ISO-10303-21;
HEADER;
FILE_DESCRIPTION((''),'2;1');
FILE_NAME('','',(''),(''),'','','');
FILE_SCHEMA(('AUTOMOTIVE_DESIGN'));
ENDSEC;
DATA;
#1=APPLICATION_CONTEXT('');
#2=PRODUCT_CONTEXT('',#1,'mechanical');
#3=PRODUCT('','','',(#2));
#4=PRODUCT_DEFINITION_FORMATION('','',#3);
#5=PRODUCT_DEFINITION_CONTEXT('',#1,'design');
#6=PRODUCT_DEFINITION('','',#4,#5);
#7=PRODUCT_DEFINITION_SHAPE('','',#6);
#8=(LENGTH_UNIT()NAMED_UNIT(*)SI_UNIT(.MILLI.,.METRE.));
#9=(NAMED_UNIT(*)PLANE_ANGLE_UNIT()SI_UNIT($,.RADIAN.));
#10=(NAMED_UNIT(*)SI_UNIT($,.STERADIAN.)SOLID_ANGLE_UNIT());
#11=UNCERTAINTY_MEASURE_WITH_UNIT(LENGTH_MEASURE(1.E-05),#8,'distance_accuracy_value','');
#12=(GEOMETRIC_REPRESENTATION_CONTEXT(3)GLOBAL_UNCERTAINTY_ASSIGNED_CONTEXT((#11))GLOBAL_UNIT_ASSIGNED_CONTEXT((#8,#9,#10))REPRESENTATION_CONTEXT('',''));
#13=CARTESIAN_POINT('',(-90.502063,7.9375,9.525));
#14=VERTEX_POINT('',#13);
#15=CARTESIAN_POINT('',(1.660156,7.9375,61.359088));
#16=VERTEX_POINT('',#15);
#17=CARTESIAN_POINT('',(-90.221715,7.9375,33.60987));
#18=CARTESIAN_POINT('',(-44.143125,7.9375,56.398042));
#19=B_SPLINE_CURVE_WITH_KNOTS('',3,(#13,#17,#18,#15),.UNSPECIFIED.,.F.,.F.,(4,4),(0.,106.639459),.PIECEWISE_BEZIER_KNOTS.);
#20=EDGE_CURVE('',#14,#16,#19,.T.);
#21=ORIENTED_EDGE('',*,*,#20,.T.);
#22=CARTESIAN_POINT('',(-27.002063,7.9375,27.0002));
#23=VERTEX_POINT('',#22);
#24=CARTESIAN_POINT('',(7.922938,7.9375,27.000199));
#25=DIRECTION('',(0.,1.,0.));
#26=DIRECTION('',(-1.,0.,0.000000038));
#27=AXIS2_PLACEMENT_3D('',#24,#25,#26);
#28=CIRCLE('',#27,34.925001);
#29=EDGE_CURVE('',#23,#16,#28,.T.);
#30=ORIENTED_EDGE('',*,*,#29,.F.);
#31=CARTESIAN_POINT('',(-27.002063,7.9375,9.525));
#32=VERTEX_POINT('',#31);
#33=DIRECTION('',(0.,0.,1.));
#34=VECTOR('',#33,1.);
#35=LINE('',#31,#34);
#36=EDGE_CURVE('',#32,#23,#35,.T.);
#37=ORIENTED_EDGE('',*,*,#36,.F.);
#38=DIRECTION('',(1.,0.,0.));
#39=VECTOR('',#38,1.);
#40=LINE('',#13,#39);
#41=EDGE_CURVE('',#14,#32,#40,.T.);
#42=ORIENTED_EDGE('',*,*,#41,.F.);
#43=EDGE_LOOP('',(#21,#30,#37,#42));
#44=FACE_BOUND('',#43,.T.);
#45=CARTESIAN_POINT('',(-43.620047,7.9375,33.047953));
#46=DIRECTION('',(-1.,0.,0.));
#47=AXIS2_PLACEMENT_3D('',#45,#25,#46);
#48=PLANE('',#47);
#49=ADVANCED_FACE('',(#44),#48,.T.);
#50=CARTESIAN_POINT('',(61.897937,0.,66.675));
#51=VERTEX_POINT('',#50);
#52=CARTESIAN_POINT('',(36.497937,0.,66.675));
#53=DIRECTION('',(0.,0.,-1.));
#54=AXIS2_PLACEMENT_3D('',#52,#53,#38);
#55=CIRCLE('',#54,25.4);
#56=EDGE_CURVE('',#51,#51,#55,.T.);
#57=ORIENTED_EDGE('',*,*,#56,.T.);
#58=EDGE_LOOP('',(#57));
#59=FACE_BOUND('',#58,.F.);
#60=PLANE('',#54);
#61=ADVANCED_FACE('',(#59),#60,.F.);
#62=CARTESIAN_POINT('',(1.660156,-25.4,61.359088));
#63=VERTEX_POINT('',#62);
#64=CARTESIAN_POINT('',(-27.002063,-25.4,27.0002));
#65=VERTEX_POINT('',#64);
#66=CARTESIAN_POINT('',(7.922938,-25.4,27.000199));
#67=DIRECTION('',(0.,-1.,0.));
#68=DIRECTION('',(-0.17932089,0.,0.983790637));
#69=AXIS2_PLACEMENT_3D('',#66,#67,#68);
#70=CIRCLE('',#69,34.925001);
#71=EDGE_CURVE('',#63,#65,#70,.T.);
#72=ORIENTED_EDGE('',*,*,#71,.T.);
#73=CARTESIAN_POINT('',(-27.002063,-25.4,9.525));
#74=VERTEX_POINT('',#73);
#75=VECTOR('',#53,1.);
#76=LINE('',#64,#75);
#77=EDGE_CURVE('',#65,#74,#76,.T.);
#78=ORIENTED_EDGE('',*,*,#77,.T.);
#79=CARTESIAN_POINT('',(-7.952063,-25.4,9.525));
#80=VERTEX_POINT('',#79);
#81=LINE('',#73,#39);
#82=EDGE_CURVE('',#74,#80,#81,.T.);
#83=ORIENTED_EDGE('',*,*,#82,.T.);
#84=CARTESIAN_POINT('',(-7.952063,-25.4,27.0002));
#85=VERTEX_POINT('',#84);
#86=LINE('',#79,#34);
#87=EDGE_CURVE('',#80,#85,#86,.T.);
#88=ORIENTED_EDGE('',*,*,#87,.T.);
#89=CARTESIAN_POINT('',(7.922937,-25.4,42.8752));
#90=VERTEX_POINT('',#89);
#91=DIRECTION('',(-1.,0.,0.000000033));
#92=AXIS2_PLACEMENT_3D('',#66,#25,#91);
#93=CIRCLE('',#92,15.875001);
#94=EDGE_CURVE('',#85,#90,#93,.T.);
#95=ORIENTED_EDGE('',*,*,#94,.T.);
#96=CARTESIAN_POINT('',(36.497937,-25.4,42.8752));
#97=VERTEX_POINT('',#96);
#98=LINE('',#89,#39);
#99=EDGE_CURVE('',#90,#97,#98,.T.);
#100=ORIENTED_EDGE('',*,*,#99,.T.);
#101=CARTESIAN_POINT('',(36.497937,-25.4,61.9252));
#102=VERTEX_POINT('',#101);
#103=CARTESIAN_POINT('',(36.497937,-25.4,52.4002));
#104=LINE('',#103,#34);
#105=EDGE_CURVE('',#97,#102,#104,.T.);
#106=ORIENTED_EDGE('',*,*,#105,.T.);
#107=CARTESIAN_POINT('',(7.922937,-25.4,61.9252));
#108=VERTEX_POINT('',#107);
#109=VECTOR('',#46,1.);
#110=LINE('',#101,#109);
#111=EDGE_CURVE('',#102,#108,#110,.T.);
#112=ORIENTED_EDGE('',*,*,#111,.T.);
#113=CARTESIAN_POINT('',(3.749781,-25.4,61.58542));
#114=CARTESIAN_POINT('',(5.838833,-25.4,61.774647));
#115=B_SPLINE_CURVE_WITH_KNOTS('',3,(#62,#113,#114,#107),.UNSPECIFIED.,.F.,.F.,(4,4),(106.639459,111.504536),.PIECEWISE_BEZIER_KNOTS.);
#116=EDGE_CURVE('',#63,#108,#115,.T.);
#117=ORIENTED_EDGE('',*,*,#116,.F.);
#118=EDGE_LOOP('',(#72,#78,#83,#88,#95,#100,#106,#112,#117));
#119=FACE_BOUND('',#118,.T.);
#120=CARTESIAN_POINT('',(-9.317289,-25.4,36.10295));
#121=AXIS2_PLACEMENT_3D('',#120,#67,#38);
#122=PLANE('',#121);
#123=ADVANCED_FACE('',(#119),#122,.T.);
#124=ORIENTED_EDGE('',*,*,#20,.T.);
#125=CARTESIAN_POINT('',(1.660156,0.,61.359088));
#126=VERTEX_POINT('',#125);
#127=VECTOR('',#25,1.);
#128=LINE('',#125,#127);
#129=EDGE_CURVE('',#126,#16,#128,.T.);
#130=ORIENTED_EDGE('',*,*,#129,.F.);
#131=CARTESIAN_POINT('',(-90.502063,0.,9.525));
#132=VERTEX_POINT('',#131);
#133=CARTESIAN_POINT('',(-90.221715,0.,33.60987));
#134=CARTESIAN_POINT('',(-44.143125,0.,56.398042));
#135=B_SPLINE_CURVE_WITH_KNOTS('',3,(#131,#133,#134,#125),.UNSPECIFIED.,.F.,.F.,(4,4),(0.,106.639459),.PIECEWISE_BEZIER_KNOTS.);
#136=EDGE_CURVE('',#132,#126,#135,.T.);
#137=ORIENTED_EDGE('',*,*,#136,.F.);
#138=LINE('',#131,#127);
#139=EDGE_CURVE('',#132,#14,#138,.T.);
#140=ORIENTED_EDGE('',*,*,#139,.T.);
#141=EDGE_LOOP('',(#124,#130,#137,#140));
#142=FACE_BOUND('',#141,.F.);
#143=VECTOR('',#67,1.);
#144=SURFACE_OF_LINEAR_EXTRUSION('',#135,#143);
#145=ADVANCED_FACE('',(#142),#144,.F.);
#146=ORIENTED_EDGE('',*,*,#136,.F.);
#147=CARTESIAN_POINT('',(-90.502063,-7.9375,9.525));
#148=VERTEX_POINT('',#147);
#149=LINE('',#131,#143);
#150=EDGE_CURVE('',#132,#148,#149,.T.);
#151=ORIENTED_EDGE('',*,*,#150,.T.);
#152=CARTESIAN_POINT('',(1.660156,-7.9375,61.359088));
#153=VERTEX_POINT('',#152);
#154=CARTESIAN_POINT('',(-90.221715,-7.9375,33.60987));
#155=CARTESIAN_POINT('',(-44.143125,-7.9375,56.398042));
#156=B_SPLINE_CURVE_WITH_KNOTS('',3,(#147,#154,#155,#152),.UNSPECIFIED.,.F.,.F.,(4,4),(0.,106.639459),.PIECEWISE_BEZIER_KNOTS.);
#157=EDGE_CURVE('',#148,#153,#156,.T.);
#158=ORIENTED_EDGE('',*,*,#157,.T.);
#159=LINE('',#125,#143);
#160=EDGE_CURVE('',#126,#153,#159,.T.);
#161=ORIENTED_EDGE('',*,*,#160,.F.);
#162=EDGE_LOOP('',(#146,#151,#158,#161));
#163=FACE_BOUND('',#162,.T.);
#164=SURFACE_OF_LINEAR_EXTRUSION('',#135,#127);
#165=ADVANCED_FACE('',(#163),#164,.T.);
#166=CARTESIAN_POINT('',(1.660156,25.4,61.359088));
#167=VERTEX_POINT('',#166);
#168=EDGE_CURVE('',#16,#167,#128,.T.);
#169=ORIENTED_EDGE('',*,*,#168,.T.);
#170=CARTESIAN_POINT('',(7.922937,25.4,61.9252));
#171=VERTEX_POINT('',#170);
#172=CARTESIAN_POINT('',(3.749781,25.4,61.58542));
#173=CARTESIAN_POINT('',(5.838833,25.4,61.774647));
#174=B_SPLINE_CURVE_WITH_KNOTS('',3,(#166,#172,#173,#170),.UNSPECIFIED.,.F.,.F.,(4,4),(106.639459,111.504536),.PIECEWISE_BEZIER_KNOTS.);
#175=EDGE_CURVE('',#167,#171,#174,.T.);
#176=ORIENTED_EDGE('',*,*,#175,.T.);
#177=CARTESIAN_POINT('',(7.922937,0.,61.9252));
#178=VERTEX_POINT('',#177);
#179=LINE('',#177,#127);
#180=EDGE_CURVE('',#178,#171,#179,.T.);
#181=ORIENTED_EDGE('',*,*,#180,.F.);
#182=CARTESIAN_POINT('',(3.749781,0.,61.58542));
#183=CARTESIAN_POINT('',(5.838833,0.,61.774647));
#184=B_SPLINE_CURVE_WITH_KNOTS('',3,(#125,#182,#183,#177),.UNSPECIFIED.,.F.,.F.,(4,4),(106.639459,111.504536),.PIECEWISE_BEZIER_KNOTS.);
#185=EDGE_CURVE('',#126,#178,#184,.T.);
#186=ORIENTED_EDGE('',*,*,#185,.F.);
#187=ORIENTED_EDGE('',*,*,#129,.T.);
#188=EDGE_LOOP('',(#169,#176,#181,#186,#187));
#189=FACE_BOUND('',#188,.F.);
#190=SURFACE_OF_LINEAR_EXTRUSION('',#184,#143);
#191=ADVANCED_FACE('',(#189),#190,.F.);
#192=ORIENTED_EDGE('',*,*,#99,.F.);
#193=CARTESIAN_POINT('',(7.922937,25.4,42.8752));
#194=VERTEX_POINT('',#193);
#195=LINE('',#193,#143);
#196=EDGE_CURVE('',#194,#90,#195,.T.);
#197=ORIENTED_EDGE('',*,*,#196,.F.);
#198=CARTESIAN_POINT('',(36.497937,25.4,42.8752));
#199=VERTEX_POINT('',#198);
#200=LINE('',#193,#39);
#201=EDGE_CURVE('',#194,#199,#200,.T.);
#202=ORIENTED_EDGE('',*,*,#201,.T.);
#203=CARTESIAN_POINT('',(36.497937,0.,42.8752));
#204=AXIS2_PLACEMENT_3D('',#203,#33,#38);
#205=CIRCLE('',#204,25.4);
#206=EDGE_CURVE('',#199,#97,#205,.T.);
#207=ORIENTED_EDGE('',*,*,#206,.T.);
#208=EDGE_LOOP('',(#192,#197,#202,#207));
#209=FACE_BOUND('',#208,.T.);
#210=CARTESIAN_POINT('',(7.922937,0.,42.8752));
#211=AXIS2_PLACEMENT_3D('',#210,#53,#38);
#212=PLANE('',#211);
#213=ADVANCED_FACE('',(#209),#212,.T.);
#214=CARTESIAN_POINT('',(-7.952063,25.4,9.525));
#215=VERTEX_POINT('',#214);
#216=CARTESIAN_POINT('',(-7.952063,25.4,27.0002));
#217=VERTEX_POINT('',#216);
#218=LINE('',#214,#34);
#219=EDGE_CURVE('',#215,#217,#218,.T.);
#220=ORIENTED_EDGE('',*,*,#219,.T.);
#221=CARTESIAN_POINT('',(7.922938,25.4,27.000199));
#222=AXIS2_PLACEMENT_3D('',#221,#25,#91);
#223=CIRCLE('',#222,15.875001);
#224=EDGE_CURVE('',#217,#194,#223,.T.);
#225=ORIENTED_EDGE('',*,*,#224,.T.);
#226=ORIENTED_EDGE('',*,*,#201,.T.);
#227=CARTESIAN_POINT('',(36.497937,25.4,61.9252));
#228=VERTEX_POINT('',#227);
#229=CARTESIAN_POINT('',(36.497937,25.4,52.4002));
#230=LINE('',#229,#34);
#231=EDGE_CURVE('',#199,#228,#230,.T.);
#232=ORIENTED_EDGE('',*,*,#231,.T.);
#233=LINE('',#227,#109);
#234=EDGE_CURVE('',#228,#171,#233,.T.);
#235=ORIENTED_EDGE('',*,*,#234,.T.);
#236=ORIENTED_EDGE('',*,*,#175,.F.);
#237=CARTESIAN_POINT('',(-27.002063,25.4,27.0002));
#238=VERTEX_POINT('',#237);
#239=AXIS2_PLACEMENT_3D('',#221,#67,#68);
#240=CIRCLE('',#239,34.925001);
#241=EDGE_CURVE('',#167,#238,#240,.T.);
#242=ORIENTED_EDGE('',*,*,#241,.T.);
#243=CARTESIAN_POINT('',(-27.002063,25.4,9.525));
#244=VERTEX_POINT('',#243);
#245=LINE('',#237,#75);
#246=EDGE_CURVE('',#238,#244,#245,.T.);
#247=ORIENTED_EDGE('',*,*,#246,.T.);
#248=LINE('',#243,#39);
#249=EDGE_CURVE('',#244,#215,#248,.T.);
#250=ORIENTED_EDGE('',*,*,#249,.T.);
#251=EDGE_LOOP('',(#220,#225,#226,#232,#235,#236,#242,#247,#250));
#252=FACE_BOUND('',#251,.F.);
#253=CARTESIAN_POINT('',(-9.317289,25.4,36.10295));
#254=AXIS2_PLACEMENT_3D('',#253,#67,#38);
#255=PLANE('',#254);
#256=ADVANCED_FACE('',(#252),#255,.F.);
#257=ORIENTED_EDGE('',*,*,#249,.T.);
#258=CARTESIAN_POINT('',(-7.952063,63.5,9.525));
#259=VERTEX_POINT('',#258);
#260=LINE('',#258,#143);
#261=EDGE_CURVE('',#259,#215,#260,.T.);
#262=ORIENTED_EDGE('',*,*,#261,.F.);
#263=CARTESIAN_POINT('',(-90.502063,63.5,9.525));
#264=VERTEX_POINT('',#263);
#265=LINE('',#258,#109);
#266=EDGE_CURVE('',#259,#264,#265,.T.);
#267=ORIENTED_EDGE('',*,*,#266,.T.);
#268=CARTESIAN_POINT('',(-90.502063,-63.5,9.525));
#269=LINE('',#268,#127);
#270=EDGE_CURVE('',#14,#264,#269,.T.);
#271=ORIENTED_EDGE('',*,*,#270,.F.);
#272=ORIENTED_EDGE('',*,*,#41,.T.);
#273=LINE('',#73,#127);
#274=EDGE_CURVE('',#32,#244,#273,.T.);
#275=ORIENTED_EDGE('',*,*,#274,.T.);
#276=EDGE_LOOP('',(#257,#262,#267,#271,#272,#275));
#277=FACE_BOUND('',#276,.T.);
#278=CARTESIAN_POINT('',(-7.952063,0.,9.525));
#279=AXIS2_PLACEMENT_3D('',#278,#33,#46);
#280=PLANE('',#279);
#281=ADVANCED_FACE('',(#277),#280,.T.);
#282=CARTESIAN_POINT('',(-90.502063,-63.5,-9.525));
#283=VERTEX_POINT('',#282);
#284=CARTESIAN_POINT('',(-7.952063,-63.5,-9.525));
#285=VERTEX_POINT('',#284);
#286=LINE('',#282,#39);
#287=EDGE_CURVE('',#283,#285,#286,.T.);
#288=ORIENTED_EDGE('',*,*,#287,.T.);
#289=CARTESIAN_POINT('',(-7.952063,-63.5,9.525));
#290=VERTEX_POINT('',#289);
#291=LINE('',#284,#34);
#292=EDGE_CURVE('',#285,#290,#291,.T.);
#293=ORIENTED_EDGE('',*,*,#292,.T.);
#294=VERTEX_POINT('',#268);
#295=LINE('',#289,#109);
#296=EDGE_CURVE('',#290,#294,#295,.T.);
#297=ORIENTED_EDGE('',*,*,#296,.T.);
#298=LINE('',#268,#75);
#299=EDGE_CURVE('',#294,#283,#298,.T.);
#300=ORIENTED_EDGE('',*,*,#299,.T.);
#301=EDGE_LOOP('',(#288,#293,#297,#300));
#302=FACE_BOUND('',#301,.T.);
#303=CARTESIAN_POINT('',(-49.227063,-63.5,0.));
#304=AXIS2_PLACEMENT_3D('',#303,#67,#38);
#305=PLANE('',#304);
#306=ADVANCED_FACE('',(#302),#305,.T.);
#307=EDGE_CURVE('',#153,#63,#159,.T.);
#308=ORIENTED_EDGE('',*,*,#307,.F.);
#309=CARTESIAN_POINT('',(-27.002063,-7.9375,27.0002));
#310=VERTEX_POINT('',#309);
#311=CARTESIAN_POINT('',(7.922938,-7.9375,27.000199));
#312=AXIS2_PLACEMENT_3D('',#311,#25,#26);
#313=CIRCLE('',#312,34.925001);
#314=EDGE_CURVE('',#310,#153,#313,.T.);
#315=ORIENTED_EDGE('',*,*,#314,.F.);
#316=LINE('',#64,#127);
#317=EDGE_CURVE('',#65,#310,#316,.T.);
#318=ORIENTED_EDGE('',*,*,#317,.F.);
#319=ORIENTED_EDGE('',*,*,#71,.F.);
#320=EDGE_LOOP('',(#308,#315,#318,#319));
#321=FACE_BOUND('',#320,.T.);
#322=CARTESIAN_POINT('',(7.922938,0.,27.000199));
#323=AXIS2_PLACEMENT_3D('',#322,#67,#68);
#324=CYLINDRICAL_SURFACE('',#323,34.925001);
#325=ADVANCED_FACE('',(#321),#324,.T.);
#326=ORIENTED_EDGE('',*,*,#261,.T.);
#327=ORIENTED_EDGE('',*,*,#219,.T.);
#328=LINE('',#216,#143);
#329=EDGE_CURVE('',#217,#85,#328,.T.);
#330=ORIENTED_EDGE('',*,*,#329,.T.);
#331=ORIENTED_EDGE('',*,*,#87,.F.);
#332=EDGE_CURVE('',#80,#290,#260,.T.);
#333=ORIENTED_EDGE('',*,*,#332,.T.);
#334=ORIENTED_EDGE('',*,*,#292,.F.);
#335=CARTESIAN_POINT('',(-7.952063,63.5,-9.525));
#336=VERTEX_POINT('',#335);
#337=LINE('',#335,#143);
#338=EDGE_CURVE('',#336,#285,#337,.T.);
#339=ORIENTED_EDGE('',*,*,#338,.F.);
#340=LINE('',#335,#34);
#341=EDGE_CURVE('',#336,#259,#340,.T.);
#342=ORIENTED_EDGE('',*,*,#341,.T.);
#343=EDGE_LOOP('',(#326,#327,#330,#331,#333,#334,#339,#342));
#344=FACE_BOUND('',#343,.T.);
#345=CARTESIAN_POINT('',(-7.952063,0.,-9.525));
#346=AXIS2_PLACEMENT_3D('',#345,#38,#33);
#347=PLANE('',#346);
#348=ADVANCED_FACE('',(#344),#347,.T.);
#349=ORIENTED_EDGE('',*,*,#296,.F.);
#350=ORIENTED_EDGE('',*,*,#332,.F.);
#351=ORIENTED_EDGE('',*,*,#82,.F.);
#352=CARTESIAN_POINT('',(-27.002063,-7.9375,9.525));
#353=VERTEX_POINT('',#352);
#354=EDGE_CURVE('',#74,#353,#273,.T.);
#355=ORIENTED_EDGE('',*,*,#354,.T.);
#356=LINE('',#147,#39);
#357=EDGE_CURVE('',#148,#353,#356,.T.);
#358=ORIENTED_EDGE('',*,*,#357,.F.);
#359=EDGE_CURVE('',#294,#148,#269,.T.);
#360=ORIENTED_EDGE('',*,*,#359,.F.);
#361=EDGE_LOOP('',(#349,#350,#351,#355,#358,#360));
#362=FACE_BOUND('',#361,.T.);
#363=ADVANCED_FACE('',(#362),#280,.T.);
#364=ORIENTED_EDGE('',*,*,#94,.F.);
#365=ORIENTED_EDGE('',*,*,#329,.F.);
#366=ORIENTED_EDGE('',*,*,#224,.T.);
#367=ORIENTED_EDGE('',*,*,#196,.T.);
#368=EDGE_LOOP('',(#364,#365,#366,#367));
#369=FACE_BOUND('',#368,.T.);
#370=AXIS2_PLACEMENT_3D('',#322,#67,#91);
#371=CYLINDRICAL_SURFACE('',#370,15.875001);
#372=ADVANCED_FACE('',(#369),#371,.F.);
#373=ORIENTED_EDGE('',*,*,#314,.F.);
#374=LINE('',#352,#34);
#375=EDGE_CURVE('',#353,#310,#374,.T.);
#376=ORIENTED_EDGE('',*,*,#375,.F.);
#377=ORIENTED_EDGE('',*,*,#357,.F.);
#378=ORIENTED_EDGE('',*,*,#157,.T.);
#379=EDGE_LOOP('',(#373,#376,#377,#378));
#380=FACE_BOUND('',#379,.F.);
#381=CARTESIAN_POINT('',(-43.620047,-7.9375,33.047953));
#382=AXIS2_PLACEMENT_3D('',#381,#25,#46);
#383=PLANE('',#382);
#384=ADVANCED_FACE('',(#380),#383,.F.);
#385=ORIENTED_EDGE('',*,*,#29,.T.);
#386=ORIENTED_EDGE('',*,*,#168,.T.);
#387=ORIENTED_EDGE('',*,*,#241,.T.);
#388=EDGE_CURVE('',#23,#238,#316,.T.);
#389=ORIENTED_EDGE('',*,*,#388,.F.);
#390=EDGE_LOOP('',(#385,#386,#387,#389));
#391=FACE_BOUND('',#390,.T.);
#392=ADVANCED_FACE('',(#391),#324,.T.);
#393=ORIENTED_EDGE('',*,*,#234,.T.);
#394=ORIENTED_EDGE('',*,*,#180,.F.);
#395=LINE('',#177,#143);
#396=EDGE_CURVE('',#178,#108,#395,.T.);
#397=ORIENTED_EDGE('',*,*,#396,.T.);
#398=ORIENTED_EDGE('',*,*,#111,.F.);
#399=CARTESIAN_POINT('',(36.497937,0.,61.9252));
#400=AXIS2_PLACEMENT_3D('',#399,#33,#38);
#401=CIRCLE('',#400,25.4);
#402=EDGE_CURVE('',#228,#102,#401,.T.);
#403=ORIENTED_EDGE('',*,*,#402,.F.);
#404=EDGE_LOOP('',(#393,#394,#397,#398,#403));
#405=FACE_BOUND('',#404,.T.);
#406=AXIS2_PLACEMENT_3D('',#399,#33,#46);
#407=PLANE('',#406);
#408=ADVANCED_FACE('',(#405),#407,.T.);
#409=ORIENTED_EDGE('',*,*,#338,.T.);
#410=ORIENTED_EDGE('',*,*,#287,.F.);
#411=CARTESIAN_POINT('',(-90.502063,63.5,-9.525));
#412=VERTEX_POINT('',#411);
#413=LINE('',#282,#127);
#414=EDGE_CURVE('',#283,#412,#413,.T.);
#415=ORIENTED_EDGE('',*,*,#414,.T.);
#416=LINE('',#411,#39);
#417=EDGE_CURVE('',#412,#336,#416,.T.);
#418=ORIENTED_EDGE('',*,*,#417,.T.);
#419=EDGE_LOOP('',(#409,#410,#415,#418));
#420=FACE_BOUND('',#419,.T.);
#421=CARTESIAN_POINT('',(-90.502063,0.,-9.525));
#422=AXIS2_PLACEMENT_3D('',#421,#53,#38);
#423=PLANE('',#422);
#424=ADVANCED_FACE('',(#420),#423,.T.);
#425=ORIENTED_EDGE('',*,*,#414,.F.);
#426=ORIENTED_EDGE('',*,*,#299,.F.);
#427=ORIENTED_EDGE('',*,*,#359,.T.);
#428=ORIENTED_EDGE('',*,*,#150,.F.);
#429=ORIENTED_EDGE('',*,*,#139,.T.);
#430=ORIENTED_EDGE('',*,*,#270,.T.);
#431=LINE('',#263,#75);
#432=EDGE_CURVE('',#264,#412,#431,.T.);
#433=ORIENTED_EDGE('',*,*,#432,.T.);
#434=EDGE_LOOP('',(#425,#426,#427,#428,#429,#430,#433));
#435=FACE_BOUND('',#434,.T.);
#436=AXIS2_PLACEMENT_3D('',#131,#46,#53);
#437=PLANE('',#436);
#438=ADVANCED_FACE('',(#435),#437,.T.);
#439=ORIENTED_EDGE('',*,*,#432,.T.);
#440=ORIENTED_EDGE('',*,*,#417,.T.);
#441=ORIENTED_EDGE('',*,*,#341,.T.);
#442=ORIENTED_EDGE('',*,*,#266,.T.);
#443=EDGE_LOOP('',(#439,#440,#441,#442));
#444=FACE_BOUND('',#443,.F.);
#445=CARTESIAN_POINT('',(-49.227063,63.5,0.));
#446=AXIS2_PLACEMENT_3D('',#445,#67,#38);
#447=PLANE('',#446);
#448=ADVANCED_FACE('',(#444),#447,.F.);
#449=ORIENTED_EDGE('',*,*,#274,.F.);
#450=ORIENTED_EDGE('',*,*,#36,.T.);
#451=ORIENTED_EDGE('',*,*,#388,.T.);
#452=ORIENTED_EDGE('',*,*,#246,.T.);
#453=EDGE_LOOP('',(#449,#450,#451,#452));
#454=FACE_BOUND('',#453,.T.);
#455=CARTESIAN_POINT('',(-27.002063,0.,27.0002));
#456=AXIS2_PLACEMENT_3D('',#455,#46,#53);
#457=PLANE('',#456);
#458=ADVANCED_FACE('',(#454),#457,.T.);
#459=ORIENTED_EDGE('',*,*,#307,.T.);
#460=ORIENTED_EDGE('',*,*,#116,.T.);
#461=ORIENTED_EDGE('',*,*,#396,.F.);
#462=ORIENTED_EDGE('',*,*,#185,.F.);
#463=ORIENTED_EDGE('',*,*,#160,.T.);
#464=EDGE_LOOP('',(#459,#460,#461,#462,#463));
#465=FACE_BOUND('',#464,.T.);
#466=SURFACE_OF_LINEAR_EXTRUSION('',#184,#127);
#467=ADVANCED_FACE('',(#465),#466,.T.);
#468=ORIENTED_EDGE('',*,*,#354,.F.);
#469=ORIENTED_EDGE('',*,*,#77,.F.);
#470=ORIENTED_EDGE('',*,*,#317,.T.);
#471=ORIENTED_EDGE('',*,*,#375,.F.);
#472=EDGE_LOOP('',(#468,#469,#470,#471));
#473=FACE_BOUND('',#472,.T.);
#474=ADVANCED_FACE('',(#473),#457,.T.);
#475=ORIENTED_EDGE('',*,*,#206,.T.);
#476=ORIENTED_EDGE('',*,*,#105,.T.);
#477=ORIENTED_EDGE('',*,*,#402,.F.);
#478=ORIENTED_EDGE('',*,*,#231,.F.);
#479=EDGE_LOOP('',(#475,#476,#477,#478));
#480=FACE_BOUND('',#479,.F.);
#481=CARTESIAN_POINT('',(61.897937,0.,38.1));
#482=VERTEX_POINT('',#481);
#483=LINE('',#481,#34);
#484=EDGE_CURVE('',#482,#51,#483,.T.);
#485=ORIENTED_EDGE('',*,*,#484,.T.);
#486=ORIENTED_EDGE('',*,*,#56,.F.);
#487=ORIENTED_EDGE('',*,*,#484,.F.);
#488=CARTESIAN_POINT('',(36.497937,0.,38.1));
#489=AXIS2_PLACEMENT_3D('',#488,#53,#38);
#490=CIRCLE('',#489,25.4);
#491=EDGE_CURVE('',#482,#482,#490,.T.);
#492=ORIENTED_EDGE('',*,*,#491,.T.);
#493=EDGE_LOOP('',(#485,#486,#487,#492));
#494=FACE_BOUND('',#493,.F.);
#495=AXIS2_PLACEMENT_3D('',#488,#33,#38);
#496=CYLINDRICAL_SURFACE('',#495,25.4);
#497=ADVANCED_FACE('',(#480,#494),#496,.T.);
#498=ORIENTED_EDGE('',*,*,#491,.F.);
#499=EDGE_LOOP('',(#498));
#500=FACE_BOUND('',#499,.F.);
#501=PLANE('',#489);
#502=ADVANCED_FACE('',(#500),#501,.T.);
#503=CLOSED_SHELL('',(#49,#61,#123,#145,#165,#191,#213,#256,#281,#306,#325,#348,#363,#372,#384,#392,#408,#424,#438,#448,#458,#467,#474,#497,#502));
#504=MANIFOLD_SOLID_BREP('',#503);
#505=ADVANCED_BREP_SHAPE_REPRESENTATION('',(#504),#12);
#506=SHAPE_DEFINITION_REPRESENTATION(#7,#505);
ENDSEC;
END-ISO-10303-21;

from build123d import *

# Parameters (mm, degrees)
F1_DEPTH = 63.5
F0_W     = 25.4
F0_H     = 19.05
F2_DEPTH = 25.4
F3_DEPTH = 7.9375


with BuildPart() as f1:
    # F0 (on Front) → F1 (new body, symmetric)
    with BuildSketch(Plane.XZ):
        Polygon((-90.502063, -9.525), (-7.952063, -9.525), (-7.952063, 9.525), (-27.002063, 9.525), (-90.502063, 9.525), align=None)
    extrude(amount=F1_DEPTH, both=True)

    # F0 (on Front) → F2 (join, symmetric)
    with BuildSketch(Plane.XZ):
        with BuildLine():
            Line((-27.002063, 9.525), (-7.952063, 9.525))
            Line((-7.952063, 9.525), (-7.952063, 27.0002))
            ThreePointArc((-7.952063, 27.0002), (-3.302383, 38.22552), (7.922937, 42.8752))
            Line((7.922937, 42.8752), (11.097937, 42.8752))
            Line((11.097937, 42.8752), (11.097937, 61.9252))
            Line((11.097937, 61.9252), (7.922937, 61.9252))
            add(Edge.make_bspline(
                [(1.660156, 61.359088), (3.749781, 61.58542), (5.838833, 61.774647), (7.922937, 61.9252)],
                knots=[106.639459, 106.639459, 106.639459, 106.639459, 111.504536, 111.504536, 111.504536, 111.504536], degree=3))
            ThreePointArc((1.660156, 61.359088), (-18.895743, 49.37237), (-27.002063, 27.0002))
            Line((-27.002063, 27.0002), (-27.002063, 9.525))
        make_face()
        with Locations((23.797937, 52.4002)):
            Rectangle(F0_W, F0_H)
    extrude(amount=F2_DEPTH, both=True)

    # F0 (on Front) → F3 (join, symmetric)
    with BuildSketch(Plane.XZ):
        with BuildLine():
            add(Edge.make_bspline(
                [(-90.502063, 9.525), (-90.221715, 33.60987), (-44.143125, 56.398042), (1.660156, 61.359088)],
                knots=[0, 0, 0, 0, 106.639459, 106.639459, 106.639459, 106.639459], degree=3))
            Line((-90.502063, 9.525), (-27.002063, 9.525))
            Line((-27.002063, 9.525), (-27.002063, 27.0002))
            ThreePointArc((-27.002063, 27.0002), (-18.895743, 49.37237), (1.660156, 61.359088))
        make_face()
    extrude(amount=F3_DEPTH, both=True)

    # F0 (on Front) → F4 (revolve)
    with BuildSketch(Plane.XZ):
        Polygon((36.497937, 61.9252), (36.497937, 42.8752), (36.497937, 38.1), (61.897937, 38.1), (61.897937, 66.675), (36.497937, 66.675), align=None)
    revolve(axis=Axis((36.497937, 0, 52.3875), (0, 0, -1)))


solid = f1.part
